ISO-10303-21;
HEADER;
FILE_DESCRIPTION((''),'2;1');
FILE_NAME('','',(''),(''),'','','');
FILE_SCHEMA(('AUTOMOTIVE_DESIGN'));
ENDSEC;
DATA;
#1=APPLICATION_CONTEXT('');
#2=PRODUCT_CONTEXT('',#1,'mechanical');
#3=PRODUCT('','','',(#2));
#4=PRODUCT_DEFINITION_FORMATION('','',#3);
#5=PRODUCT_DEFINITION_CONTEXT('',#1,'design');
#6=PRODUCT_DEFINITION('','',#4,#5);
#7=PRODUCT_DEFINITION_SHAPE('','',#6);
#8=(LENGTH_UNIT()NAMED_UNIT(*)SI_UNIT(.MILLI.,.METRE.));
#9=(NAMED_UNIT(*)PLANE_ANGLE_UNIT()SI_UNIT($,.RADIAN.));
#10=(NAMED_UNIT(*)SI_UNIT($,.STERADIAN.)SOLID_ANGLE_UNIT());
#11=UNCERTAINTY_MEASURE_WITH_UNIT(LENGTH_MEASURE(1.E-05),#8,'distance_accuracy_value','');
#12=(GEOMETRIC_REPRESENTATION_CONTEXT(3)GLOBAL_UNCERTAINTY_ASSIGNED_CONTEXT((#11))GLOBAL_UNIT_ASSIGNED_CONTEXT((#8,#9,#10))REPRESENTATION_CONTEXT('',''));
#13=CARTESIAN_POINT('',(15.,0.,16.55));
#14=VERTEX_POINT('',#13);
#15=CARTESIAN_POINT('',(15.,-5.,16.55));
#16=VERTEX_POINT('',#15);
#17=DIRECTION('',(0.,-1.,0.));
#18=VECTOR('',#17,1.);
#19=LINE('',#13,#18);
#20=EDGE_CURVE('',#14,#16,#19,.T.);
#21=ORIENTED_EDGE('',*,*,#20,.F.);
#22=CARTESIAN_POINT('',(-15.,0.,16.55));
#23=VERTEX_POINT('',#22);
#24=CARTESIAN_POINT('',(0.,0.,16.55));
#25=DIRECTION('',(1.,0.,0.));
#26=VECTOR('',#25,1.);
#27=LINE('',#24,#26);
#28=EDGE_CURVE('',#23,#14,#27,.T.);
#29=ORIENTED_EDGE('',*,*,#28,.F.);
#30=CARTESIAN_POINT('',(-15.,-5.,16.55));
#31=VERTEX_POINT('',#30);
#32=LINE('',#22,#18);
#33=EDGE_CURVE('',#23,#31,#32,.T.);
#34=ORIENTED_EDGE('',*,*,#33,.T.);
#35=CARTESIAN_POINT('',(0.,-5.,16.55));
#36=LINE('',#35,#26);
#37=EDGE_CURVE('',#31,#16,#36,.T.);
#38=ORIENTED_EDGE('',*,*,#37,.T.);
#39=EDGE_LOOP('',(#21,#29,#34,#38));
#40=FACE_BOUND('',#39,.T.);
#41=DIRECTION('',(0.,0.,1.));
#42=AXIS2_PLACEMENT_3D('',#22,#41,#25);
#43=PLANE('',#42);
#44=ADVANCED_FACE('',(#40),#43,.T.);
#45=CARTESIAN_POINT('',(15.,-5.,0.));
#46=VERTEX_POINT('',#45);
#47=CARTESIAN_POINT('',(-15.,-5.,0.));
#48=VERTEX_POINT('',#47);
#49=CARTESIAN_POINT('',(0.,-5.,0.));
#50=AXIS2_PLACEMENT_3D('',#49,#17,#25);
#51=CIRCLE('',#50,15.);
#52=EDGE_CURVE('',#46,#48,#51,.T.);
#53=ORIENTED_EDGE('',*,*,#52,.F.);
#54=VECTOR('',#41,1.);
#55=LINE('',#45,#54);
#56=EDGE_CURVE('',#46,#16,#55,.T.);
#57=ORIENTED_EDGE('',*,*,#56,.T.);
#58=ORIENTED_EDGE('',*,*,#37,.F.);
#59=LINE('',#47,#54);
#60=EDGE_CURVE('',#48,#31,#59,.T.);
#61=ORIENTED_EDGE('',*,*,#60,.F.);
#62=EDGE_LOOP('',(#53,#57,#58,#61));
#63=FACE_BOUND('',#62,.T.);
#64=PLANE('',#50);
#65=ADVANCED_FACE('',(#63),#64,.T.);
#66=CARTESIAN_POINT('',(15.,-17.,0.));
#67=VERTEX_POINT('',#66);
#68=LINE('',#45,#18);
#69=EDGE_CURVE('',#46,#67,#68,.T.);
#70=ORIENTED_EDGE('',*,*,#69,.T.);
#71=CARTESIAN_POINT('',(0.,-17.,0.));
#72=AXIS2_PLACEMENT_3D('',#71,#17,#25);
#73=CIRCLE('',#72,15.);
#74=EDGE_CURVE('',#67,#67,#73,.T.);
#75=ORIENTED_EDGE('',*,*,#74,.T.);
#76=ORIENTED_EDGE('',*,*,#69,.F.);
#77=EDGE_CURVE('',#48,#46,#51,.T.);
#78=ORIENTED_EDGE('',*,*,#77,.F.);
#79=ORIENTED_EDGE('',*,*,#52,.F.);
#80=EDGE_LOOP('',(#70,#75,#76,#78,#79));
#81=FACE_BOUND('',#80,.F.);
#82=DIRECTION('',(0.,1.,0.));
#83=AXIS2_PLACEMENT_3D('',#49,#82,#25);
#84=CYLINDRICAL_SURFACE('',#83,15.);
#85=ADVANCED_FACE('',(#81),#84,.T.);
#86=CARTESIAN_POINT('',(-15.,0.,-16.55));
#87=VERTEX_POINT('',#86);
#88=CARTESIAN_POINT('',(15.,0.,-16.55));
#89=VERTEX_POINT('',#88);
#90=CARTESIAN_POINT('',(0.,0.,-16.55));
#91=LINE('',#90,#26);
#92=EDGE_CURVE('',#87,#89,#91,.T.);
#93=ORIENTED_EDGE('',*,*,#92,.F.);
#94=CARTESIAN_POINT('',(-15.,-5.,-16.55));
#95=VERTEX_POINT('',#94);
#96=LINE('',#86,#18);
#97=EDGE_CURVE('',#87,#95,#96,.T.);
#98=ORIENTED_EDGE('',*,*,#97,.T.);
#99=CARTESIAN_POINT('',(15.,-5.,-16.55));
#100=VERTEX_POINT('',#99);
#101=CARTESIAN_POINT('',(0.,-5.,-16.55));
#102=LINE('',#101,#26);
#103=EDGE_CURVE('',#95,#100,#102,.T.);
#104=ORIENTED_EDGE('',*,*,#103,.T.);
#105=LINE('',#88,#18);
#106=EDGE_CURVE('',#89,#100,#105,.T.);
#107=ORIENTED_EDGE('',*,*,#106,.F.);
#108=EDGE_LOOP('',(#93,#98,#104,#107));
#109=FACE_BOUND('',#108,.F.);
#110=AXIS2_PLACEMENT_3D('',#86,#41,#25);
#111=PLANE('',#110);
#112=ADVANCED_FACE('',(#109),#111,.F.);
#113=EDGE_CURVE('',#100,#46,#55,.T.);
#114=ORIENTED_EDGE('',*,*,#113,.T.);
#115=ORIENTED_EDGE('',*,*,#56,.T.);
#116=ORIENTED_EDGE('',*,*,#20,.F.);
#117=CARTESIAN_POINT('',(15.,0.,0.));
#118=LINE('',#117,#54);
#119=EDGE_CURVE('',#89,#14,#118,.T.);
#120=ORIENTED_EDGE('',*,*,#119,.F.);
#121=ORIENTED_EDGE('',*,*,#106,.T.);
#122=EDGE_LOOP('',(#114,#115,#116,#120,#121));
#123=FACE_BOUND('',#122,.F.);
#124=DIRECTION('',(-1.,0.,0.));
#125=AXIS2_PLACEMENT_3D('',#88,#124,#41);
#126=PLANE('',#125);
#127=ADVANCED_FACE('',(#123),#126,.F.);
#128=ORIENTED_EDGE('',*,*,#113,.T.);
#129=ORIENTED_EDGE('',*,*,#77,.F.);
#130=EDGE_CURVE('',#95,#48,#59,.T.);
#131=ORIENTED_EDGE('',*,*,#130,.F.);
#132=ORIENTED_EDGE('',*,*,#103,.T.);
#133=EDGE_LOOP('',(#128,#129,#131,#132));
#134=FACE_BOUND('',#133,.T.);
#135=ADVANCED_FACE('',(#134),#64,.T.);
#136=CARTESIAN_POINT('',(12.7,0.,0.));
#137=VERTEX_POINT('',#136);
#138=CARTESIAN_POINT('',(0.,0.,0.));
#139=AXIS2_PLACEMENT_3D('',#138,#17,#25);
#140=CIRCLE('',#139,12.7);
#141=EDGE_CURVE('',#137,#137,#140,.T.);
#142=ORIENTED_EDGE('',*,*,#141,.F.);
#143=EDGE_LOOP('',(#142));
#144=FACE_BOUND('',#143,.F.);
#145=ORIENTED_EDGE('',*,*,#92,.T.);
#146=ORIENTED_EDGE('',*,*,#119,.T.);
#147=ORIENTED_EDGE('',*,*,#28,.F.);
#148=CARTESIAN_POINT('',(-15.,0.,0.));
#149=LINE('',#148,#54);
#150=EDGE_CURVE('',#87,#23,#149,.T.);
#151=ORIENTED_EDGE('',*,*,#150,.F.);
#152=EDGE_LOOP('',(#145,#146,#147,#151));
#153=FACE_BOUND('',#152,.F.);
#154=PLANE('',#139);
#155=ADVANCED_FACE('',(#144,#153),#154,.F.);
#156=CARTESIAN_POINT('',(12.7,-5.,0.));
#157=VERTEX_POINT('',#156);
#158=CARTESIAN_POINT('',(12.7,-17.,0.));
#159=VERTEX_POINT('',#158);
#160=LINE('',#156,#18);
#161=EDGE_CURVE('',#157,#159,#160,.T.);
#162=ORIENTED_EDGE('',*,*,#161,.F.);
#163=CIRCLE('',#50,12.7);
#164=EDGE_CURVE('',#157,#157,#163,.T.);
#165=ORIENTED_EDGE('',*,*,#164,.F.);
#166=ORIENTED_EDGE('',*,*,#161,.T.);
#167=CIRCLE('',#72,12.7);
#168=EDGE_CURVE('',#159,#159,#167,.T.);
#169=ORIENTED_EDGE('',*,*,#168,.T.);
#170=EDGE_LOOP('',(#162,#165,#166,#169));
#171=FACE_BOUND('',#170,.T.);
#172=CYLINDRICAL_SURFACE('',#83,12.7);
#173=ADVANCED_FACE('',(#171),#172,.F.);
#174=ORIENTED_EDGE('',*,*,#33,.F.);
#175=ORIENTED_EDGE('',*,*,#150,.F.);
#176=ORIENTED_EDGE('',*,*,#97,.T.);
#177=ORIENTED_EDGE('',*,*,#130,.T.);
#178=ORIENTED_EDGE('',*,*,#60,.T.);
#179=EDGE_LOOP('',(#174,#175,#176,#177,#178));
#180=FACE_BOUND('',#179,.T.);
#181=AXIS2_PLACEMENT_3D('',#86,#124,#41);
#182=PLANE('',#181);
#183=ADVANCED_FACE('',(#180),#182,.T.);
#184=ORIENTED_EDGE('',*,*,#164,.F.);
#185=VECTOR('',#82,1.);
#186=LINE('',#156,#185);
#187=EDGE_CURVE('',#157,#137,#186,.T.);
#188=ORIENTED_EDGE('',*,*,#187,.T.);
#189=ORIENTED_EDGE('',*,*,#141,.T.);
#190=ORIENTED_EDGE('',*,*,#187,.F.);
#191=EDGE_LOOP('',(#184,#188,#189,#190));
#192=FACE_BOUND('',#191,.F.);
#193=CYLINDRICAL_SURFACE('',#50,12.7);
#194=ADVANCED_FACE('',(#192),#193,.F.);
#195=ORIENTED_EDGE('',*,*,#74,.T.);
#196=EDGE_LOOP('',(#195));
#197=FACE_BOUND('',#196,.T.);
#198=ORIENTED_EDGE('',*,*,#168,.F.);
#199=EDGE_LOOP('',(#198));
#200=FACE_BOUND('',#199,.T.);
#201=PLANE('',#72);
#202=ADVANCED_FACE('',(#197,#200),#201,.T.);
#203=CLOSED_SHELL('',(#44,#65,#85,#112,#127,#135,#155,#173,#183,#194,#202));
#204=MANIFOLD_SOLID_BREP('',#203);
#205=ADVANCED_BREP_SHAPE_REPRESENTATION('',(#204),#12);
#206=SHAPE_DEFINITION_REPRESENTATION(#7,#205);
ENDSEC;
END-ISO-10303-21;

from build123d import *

# Parameters (mm, degrees)
F0_W     = 30
F0_H     = 33.1
F1_DEPTH = 5
F2_R     = 15
F2_R_2   = 12.7
F3_DEPTH = 12
F4_R     = 12.7
F5_DEPTH = 25


with BuildPart() as f1:
    # F0 (on Front) → F1 (new body)
    with BuildSketch(Plane.XZ):
        Rectangle(F0_W, F0_H)
    extrude(amount=F1_DEPTH)

    # F2 (on face) → F3 (join)
    with BuildSketch(Plane.XZ.offset(5)):
        Circle(F2_R)
        Circle(F2_R_2, mode=Mode.SUBTRACT)
    extrude(amount=F3_DEPTH)

    # F4 (on face) → F5 (cut)
    with BuildSketch(Plane.XZ.offset(5)):
        Circle(F4_R)
    extrude(amount=-F5_DEPTH, mode=Mode.SUBTRACT)


solid = f1.part
